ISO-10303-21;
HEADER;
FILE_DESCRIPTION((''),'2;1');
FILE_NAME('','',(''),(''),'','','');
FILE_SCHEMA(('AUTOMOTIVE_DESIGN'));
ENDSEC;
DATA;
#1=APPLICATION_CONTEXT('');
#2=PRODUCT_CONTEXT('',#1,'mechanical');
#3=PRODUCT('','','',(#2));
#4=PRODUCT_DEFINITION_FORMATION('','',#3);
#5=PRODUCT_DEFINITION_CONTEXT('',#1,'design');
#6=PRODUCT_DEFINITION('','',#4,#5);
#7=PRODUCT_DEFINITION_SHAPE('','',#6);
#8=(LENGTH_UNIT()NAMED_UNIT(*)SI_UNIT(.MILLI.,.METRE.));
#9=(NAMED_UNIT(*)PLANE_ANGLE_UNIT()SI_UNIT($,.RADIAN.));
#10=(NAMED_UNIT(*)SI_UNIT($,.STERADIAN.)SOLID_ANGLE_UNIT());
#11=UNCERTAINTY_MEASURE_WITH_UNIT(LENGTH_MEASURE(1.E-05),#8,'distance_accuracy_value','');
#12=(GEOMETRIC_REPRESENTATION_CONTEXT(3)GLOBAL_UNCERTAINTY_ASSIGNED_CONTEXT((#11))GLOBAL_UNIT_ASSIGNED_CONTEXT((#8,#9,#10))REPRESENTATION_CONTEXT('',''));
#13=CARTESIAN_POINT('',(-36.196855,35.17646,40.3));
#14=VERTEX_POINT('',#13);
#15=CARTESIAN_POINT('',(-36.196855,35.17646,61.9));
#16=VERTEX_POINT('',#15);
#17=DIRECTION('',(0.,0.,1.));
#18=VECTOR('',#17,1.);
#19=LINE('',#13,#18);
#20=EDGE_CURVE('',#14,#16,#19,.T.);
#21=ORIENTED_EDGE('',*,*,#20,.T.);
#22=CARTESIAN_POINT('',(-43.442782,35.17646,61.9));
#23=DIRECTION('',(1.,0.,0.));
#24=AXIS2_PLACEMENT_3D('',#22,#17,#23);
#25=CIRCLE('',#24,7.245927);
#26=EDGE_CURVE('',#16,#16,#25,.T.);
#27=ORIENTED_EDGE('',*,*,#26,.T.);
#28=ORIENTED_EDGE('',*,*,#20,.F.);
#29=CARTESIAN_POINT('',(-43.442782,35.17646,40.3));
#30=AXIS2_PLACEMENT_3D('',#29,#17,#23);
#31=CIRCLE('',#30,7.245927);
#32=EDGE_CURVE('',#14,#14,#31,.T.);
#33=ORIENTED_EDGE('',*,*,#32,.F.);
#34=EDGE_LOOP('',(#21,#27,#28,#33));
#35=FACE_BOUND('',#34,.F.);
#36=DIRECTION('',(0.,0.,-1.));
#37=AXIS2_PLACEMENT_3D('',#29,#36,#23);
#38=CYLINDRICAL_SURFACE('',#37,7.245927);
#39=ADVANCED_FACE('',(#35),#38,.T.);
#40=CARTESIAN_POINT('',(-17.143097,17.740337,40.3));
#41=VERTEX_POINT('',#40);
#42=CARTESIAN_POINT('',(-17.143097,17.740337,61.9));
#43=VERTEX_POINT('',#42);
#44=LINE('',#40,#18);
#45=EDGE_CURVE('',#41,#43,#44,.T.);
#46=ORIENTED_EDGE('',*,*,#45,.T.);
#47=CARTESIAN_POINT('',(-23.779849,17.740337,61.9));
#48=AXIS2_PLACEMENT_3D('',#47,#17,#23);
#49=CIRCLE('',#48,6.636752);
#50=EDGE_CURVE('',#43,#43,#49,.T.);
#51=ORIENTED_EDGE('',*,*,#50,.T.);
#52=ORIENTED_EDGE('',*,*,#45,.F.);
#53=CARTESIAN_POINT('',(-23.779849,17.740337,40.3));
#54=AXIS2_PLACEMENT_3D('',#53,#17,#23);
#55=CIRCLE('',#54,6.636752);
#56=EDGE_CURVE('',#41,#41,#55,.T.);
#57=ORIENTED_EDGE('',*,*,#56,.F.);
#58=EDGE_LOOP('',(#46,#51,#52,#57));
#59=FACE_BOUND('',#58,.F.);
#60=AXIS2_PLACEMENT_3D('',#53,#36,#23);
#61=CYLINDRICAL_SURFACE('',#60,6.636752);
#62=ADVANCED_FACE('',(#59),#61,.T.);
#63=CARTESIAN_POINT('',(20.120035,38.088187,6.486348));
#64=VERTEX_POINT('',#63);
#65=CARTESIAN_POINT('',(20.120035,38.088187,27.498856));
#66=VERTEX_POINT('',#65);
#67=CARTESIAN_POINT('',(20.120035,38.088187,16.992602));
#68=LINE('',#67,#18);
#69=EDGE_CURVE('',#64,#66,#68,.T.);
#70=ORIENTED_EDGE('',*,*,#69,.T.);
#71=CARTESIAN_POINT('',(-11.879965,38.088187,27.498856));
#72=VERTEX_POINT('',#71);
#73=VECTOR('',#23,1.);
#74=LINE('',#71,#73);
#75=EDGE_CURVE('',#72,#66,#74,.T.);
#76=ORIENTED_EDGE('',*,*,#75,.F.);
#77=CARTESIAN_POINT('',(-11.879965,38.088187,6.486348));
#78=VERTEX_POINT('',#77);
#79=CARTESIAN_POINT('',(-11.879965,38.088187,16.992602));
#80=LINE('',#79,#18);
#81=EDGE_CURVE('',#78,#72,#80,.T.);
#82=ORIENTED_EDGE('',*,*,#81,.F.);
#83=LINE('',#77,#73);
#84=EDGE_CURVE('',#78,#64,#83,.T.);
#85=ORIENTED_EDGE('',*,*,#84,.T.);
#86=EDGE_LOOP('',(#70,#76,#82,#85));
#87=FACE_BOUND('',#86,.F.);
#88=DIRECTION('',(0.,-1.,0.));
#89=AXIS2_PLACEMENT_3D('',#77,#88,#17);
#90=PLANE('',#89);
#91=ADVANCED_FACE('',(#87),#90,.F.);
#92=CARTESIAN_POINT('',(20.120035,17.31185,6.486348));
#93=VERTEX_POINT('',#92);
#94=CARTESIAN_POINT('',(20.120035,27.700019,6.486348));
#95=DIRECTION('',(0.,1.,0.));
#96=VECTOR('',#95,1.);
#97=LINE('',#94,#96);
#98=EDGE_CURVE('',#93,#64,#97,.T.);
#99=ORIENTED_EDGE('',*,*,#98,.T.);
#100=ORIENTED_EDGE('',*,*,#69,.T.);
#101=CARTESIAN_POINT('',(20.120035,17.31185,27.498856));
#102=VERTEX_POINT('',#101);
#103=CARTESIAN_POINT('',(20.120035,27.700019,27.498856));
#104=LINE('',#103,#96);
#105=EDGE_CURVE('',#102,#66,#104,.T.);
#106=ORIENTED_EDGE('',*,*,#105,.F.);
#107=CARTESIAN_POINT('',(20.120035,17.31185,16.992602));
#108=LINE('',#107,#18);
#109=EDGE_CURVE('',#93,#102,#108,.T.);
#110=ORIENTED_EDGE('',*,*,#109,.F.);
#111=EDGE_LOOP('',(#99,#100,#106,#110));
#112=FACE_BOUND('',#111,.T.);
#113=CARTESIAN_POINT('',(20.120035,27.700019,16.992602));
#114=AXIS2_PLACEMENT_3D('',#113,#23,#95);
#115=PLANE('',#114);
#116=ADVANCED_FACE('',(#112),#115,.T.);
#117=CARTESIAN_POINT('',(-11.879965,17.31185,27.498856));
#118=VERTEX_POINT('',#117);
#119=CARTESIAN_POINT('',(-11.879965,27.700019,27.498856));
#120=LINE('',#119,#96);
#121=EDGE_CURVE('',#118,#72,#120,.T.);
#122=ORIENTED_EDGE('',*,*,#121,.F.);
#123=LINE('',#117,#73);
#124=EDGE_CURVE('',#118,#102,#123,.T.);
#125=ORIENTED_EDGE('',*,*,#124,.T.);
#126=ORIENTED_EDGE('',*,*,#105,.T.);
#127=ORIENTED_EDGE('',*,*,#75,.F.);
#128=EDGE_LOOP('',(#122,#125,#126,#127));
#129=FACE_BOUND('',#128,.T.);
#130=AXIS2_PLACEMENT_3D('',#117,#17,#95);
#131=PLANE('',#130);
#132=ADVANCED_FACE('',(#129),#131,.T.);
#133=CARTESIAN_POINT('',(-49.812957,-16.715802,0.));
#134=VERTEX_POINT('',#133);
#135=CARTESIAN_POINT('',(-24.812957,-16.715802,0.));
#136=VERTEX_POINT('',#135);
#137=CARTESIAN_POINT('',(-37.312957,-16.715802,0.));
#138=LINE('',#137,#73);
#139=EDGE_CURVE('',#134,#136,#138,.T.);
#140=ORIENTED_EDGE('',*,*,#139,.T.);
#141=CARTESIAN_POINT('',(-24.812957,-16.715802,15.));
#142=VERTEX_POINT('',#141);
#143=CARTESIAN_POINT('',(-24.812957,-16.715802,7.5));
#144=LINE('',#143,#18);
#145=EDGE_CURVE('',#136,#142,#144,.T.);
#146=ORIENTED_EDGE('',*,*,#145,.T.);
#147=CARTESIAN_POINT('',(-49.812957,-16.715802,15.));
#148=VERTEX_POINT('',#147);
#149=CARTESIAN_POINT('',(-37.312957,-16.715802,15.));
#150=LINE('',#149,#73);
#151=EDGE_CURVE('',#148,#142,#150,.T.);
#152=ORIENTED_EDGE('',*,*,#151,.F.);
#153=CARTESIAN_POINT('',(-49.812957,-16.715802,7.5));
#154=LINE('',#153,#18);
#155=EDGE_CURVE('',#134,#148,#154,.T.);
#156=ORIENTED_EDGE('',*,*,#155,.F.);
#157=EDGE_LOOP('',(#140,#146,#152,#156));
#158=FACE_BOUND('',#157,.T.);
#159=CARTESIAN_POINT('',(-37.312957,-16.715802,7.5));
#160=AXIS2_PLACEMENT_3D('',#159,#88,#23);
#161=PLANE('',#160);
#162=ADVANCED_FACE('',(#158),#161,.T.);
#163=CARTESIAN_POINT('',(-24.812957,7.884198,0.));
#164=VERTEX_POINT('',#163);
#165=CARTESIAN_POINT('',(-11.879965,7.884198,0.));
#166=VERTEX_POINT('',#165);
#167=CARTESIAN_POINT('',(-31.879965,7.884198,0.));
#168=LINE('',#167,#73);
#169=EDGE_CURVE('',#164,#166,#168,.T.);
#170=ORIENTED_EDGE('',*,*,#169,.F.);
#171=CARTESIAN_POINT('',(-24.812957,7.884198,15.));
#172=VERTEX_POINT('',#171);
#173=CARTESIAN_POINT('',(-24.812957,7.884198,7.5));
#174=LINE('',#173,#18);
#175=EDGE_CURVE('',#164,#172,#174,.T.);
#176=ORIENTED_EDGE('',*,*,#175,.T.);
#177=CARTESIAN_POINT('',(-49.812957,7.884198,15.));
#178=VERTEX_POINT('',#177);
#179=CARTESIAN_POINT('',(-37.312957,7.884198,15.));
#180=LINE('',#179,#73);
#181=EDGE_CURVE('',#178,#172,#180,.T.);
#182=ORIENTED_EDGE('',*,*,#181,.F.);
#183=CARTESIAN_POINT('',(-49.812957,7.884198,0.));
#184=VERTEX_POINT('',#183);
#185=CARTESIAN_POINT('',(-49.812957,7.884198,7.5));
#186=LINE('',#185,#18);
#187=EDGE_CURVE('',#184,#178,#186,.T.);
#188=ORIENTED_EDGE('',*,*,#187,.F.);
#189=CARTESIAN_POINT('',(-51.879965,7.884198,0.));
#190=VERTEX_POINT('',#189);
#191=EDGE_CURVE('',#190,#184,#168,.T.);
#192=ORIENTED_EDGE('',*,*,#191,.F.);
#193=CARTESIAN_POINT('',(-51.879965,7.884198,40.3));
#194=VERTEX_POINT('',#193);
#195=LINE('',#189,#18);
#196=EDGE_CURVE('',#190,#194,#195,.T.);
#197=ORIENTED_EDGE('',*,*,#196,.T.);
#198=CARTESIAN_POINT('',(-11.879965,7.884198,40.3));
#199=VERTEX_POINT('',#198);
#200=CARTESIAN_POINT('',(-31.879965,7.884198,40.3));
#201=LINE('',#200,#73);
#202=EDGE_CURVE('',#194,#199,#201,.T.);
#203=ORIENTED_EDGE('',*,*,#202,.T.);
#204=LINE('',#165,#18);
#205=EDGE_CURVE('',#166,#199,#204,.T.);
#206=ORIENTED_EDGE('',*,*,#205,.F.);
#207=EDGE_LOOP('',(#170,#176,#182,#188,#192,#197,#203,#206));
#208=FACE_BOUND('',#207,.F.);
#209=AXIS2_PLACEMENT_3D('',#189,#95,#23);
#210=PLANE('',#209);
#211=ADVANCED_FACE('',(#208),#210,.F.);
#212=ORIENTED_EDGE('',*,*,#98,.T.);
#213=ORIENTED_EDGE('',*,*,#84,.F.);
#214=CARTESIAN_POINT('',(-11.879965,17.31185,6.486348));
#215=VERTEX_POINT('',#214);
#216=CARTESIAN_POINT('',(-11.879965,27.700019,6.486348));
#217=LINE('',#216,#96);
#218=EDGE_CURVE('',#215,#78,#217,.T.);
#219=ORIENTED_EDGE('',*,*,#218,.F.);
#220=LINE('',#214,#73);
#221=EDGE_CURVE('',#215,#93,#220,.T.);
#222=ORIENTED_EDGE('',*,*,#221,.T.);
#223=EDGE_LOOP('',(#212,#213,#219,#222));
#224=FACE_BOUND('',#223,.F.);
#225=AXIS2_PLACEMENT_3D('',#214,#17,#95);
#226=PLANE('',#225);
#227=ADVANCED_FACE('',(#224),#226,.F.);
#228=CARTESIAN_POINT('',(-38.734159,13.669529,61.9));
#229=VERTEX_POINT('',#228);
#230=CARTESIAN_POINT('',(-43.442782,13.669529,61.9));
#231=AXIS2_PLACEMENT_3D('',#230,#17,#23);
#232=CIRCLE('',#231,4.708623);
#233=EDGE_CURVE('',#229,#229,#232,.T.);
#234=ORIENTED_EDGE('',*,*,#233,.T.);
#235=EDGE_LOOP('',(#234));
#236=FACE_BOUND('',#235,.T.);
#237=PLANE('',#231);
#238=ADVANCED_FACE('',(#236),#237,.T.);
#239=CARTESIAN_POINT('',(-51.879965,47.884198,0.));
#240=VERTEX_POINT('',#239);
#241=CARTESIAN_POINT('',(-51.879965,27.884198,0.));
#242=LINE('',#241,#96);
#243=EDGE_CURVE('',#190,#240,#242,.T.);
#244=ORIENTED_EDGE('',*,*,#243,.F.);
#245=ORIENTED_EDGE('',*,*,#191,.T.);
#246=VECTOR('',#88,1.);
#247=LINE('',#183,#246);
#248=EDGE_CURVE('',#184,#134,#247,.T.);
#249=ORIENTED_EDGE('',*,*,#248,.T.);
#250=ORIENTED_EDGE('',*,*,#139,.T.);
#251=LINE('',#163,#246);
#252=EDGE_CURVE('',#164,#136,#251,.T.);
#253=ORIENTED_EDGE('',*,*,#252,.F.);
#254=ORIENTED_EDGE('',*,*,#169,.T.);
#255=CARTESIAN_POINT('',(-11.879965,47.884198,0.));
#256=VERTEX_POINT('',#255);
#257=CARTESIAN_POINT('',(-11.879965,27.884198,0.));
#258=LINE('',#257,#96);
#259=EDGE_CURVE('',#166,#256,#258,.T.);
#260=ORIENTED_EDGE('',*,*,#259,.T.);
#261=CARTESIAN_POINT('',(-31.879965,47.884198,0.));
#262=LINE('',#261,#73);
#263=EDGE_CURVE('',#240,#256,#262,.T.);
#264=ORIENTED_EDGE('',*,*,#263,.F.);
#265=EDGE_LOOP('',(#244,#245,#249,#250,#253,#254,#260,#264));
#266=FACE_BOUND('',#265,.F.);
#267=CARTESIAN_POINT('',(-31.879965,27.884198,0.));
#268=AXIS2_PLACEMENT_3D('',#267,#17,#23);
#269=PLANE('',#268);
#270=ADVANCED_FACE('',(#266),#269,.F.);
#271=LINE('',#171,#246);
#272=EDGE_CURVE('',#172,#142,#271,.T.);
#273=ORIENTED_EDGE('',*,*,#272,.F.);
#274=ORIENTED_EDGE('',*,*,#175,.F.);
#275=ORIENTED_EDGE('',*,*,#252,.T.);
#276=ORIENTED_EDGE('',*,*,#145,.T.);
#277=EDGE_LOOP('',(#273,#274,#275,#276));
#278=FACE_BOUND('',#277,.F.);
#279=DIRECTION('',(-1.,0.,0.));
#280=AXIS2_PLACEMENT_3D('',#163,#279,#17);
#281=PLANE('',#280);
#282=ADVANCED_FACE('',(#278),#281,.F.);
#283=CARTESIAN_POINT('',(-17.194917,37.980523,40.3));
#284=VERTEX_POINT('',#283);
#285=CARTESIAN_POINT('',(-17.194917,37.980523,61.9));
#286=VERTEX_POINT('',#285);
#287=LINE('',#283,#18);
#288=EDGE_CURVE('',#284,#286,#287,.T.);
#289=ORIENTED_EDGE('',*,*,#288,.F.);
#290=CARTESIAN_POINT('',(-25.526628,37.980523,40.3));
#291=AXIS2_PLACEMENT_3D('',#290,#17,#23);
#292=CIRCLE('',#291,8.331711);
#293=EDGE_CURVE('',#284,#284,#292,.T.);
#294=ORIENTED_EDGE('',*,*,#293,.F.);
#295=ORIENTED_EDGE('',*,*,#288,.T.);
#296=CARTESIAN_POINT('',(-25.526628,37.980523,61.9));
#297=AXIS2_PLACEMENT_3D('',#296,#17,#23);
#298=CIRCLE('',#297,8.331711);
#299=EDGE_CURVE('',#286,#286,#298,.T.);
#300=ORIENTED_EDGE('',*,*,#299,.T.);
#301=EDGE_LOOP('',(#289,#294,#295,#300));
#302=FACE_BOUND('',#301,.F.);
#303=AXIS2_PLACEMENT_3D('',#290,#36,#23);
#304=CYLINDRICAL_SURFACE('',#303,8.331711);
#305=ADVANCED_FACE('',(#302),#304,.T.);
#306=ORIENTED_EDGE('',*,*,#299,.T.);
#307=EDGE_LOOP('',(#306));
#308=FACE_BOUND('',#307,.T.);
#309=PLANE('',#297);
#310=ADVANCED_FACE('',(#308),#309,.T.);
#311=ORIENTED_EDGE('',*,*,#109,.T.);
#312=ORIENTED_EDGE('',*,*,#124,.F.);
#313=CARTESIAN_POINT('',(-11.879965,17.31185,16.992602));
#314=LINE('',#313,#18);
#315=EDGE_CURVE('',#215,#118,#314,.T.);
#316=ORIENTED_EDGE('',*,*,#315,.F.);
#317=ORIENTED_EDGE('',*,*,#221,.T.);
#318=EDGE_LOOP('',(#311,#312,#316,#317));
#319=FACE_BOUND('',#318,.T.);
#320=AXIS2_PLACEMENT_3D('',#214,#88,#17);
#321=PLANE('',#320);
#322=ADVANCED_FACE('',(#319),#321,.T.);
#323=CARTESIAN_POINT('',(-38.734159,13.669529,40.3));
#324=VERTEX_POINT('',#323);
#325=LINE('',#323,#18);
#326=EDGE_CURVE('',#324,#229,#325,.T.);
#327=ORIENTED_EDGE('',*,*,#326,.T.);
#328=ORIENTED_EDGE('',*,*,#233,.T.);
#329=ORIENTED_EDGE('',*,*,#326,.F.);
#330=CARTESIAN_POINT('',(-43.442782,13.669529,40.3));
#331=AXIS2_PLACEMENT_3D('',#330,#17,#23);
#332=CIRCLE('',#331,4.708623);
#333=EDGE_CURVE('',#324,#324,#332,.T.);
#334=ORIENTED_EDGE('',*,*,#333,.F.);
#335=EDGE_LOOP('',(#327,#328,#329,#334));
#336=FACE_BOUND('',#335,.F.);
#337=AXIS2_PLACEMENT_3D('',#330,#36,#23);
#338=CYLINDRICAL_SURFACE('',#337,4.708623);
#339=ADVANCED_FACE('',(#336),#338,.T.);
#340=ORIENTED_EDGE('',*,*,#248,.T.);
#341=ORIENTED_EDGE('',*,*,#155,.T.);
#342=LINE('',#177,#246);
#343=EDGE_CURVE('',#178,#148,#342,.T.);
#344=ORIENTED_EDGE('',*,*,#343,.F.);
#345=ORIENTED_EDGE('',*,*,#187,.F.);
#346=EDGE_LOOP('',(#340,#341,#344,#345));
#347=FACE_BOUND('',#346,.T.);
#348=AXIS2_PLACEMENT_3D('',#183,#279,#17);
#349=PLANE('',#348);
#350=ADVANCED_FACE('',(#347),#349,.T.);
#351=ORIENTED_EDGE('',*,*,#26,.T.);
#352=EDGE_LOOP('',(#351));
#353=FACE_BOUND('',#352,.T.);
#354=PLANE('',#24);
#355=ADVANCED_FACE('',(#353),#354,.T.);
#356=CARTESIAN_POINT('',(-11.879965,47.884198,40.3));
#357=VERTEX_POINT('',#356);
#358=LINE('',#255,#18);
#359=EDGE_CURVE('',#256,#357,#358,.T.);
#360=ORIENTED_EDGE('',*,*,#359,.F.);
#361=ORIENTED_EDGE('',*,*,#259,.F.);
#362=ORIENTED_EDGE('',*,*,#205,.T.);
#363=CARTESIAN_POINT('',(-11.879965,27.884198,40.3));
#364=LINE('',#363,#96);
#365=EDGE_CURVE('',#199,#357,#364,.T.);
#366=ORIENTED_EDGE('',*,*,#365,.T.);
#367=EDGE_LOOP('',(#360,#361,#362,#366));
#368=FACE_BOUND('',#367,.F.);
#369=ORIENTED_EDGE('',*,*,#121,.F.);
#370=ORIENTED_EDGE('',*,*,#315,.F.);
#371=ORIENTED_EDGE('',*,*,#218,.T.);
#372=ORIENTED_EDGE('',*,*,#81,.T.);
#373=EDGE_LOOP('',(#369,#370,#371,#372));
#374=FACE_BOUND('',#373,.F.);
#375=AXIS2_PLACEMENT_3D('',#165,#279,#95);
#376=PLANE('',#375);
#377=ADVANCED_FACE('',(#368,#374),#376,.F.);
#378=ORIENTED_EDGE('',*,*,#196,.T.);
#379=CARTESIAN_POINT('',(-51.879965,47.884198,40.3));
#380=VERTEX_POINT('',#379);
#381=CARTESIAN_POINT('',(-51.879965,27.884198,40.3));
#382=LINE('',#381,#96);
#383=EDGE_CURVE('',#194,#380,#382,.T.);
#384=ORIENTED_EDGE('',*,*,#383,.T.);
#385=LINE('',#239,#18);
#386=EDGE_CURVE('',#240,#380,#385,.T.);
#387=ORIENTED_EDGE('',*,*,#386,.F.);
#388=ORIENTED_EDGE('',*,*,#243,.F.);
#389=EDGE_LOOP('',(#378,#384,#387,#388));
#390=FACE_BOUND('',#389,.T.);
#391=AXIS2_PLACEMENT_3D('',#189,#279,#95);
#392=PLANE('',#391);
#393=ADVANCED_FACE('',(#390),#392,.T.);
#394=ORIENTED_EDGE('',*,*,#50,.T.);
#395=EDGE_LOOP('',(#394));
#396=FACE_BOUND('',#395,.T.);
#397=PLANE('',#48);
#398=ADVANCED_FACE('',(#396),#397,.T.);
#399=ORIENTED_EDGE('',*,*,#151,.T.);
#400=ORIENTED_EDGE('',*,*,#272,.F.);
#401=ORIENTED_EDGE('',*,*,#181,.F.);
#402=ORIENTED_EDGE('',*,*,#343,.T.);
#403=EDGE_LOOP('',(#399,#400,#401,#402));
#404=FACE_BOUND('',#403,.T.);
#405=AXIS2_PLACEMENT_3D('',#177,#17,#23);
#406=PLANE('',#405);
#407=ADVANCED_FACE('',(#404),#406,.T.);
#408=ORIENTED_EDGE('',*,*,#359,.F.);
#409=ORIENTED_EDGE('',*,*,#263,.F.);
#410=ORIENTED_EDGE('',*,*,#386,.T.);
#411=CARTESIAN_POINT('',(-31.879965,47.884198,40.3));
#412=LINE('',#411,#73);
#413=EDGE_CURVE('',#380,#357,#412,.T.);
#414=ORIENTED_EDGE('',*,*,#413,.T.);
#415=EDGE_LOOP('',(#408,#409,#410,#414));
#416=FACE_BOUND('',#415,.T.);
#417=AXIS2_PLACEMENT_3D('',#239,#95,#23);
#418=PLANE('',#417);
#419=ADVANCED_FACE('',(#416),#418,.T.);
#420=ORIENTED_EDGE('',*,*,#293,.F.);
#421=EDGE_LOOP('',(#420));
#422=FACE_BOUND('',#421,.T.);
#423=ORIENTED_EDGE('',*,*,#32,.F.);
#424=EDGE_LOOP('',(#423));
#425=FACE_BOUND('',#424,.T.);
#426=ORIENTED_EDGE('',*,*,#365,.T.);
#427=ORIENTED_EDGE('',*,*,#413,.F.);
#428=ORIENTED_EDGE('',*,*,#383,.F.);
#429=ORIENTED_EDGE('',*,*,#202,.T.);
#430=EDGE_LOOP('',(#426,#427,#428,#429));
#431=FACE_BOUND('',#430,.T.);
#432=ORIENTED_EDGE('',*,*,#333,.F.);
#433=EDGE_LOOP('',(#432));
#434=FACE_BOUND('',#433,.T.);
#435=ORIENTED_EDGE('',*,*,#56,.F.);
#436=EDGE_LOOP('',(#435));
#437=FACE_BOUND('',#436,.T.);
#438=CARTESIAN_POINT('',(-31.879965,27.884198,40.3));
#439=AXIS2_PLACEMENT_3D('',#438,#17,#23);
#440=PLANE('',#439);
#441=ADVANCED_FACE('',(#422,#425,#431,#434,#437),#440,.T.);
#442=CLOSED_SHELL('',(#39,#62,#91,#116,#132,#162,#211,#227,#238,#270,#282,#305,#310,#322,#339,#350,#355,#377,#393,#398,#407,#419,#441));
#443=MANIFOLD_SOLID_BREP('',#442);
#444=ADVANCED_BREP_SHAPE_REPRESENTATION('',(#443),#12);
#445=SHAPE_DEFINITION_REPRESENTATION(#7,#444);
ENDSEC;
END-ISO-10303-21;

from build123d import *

# Parameters (mm, degrees)
F0_W     = 40
F0_H     = 40
F1_DEPTH = 40.3
F2_W     = 25
F2_H     = 15
F3_DEPTH = 24.6
F6_W     = 20.776337
F6_H     = 21.012508
F7_DEPTH = 32
F8_R     = 7.245927
F8_R_2   = 6.636752
F8_R_3   = 8.331711
F8_R_4   = 4.708623
F9_DEPTH = 21.6


with BuildPart() as f1:
    # F0 (on Top) → F1 (new body)
    with BuildSketch(Plane.XY):
        with Locations((-31.879965, 27.884198)):
            Rectangle(F0_W, F0_H)
    extrude(amount=F1_DEPTH)

    # F2 (on face) → F3 (join)
    with BuildSketch(Plane.XZ.offset(-7.884198)):
        with Locations((-37.312957, 7.5)):
            Rectangle(F2_W, F2_H)
    extrude(amount=F3_DEPTH)

    # F6 (on face) → F7 (join)
    with BuildSketch(Plane.YZ.offset(-11.879965)):
        with Locations((27.700019, 16.992602)):
            Rectangle(F6_W, F6_H)
    extrude(amount=F7_DEPTH)

    # F8 (on face) → F9 (join)
    with BuildSketch(Plane.XY.offset(40.3)):
        with Locations((-43.442782, 35.17646)):
            Circle(F8_R)
        with Locations((-23.779849, 17.740337)):
            Circle(F8_R_2)
        with Locations((-25.526628, 37.980523)):
            Circle(F8_R_3)
        with Locations((-43.442782, 13.669529)):
            Circle(F8_R_4)
    extrude(amount=F9_DEPTH)


solid = f1.part
